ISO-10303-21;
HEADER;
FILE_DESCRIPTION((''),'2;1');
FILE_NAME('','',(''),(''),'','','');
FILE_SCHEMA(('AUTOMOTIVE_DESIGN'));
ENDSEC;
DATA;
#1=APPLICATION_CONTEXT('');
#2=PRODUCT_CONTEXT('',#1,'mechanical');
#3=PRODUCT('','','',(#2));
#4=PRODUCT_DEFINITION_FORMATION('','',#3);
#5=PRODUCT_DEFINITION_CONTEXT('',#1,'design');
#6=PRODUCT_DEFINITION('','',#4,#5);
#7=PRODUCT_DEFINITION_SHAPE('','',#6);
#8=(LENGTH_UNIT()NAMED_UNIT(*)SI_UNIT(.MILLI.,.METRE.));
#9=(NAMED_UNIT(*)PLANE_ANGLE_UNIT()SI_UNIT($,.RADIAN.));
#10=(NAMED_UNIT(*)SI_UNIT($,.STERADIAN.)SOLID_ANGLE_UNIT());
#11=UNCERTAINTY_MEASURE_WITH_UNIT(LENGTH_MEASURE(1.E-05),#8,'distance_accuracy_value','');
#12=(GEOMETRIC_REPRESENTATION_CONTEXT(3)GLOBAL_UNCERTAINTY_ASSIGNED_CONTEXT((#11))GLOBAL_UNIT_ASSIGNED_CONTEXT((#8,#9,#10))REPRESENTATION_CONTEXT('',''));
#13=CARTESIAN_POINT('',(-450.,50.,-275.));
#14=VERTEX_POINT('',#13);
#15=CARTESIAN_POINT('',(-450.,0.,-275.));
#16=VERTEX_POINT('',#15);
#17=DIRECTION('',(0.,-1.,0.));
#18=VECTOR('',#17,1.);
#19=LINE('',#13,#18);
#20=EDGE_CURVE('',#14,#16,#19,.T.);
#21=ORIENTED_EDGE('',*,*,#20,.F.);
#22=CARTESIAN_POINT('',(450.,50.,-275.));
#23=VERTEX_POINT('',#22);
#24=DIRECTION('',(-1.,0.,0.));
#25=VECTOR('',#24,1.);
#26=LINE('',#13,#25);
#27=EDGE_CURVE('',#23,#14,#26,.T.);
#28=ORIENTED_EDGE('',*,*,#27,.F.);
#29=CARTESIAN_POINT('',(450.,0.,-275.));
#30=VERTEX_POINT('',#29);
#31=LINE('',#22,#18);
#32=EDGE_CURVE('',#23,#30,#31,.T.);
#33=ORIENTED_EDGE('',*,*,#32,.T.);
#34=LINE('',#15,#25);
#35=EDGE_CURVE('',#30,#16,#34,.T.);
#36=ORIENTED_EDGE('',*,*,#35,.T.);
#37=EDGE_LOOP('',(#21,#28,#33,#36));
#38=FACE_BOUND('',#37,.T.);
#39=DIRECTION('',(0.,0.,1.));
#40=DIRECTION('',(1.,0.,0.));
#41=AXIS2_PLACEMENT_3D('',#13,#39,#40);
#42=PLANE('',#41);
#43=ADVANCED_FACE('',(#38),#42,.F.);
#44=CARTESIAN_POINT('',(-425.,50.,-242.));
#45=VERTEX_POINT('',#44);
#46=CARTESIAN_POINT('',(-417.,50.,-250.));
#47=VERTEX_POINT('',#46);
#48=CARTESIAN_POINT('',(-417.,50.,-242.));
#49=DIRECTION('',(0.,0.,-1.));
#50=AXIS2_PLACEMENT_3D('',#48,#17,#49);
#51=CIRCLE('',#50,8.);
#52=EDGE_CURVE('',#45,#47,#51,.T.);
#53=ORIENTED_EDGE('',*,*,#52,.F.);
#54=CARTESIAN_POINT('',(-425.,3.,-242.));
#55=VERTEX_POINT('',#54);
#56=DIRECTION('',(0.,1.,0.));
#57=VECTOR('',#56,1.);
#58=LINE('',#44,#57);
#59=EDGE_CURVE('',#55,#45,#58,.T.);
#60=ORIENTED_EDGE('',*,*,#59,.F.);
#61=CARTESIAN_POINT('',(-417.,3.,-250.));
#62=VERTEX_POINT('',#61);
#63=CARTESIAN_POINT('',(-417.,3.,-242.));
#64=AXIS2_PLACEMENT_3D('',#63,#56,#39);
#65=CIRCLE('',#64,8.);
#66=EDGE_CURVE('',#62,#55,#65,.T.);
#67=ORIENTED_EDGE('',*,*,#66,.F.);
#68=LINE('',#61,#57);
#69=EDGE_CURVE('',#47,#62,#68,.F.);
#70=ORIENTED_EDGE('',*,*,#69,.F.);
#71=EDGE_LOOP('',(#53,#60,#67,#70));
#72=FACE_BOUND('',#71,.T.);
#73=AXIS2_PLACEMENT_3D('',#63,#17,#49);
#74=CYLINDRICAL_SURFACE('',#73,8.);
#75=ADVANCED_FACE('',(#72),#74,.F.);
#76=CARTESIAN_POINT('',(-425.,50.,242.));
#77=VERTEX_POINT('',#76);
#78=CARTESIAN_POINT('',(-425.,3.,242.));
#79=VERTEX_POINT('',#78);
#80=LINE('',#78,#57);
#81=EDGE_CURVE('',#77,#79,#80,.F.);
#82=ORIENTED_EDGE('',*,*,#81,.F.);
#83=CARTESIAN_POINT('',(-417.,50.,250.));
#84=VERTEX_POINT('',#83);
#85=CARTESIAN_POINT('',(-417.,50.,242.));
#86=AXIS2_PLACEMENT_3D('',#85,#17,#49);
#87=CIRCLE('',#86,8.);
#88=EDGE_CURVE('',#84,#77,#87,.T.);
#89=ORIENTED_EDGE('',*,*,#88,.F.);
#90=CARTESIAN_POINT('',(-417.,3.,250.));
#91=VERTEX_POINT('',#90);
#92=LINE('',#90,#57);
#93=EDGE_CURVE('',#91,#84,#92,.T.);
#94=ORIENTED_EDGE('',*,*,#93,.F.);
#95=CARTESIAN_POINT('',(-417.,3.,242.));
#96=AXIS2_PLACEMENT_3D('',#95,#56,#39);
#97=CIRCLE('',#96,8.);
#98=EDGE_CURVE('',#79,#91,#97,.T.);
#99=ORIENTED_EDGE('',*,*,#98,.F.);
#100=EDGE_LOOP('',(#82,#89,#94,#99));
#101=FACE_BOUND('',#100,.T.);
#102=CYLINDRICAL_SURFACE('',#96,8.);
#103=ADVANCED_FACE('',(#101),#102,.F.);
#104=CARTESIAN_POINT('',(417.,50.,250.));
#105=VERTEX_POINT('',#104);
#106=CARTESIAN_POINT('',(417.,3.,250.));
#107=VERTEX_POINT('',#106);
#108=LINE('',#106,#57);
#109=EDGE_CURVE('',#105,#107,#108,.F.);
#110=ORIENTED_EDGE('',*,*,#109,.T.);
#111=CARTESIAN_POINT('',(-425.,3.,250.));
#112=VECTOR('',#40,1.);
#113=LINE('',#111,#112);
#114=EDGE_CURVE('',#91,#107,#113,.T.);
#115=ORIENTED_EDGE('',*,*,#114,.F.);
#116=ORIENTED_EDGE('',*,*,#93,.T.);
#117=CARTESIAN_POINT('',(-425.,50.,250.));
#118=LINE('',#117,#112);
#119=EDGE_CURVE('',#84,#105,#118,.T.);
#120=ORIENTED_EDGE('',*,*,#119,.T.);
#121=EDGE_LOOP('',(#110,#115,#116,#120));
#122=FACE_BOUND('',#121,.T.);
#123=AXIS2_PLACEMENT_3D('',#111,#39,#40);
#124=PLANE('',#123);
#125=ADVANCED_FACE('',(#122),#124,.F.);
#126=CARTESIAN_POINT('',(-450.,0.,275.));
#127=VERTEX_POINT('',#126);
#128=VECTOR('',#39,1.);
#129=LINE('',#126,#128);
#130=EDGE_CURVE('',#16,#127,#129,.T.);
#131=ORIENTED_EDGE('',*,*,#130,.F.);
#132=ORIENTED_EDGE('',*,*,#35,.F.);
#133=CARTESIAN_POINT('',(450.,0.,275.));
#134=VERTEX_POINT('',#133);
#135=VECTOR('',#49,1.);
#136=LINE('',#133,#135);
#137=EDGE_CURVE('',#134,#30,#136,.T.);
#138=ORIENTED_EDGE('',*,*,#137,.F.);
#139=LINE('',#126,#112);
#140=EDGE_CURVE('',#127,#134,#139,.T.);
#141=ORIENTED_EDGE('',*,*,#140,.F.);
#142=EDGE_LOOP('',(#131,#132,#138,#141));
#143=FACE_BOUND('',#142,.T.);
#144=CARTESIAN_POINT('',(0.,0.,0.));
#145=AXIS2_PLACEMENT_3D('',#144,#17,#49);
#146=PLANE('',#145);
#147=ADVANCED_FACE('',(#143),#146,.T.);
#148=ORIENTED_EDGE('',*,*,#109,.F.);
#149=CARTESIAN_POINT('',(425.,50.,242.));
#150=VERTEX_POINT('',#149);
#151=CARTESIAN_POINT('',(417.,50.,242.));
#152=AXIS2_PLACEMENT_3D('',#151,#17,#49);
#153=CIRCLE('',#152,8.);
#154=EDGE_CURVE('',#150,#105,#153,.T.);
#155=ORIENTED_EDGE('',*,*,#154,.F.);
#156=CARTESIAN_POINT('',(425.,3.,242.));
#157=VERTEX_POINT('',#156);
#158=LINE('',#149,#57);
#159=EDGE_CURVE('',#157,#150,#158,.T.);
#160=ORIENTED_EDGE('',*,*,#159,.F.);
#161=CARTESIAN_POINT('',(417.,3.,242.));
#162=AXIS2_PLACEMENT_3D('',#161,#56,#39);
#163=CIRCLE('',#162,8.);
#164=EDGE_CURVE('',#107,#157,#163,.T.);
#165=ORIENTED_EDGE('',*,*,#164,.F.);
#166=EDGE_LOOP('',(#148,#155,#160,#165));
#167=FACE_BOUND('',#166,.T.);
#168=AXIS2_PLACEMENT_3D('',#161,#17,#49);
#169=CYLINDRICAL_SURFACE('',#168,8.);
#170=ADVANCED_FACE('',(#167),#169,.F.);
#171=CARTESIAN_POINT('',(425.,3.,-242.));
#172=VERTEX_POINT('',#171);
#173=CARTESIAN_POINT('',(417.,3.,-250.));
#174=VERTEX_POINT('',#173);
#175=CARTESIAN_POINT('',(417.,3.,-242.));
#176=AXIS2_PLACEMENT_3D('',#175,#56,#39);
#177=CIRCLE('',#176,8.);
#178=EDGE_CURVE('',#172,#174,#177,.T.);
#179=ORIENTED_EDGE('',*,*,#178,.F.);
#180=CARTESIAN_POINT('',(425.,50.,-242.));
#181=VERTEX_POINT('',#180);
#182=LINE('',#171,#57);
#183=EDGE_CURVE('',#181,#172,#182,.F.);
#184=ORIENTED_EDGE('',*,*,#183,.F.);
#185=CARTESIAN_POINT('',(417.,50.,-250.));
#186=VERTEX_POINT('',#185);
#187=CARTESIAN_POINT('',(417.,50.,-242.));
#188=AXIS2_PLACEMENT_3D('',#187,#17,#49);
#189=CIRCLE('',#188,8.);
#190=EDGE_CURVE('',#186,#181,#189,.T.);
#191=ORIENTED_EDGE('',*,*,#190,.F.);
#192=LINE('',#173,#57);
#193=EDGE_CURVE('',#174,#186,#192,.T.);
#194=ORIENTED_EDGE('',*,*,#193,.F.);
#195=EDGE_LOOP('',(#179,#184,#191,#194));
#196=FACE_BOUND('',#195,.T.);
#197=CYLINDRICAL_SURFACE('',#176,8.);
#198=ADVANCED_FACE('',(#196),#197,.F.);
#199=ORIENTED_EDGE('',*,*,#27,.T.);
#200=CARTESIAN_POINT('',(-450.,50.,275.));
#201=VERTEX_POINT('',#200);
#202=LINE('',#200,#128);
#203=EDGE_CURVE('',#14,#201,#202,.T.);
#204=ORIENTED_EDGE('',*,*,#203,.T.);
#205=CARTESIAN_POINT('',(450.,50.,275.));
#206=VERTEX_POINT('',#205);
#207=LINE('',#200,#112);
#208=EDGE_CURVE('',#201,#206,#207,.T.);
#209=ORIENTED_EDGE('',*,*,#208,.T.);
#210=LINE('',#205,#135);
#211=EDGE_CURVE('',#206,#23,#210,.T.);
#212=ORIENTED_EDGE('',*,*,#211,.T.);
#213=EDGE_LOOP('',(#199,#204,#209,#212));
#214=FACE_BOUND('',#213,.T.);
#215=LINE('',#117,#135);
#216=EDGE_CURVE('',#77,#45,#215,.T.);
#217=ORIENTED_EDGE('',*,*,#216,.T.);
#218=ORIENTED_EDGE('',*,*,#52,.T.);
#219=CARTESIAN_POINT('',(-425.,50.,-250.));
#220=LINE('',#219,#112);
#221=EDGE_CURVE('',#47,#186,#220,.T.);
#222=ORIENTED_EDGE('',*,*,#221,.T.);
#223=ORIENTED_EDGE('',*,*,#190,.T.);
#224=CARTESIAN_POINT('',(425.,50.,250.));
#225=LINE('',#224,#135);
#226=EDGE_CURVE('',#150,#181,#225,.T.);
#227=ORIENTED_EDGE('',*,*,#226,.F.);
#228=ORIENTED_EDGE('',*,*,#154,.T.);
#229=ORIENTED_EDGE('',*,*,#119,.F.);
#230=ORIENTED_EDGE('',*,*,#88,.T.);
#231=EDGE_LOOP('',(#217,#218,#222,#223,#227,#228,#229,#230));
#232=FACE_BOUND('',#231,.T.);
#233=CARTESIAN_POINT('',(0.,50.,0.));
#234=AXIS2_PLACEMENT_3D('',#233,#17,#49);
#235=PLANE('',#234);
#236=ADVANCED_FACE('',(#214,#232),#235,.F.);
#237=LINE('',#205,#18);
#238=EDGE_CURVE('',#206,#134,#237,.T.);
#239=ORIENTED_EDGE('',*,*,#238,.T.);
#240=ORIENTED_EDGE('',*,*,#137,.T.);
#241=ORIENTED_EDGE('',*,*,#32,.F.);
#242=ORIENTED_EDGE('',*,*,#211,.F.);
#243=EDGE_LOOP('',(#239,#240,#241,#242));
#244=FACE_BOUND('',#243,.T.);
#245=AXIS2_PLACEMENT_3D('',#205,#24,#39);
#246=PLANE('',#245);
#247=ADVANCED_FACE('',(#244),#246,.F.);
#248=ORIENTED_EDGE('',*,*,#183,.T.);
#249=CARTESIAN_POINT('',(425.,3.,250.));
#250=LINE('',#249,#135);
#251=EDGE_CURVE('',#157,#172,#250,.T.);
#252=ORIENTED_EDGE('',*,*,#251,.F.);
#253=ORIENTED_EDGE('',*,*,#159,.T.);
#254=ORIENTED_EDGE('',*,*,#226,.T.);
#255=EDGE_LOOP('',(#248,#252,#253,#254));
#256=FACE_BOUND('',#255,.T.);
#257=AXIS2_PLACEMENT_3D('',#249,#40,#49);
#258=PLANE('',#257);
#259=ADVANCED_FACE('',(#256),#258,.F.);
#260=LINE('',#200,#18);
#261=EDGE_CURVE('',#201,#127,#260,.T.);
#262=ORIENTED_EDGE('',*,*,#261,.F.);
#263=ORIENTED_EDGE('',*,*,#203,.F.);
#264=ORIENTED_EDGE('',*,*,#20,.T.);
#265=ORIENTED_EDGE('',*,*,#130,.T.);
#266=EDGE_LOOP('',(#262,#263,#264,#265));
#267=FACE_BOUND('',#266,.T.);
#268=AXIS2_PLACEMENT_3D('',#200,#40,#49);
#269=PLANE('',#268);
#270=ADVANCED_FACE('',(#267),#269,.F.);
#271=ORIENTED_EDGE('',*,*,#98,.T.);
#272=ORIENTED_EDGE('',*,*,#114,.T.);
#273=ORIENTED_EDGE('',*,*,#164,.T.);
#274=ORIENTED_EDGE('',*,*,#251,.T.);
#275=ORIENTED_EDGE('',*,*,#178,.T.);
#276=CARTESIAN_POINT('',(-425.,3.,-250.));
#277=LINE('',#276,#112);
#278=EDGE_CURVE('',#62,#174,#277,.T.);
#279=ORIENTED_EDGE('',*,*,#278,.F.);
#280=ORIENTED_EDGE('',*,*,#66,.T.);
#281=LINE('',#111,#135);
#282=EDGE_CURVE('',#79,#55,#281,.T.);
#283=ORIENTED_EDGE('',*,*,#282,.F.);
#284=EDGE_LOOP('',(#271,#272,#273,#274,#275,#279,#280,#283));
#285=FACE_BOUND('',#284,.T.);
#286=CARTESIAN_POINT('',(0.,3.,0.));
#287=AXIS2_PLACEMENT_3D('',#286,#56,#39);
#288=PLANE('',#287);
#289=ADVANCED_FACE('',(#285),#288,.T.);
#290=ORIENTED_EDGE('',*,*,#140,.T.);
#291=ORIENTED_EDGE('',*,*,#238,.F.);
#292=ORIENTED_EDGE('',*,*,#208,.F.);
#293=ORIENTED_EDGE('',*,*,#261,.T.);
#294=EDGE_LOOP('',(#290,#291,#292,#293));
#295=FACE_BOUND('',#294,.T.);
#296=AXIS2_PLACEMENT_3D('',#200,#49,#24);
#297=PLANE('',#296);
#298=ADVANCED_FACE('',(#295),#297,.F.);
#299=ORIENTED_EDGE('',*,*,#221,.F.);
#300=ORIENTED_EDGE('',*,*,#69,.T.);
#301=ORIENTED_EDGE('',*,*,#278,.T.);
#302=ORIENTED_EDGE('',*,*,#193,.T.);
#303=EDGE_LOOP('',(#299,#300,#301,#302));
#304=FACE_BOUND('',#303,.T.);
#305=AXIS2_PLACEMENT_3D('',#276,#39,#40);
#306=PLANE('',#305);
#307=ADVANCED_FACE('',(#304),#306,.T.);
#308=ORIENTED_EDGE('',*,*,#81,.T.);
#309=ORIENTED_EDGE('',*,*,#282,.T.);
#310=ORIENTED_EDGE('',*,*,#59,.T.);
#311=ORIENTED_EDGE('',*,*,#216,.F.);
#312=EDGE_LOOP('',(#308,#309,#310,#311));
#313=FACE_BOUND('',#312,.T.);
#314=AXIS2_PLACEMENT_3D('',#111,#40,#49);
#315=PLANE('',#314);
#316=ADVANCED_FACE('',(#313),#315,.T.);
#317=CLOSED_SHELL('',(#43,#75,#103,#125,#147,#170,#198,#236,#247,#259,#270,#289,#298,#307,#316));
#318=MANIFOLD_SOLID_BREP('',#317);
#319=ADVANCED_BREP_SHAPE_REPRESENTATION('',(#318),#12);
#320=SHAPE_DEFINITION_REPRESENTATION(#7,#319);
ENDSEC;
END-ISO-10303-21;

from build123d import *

# Parameters (mm, degrees)
SKETCH1_W           = 900
SKETCH1_H           = 550
BOSS_EXTRUDE1_DEPTH = 50
SKETCH2_W           = 850
SKETCH2_H           = 500
CUT_EXTRUDE1_DEPTH  = 47
FILLET1_R           = 8


with BuildPart() as part:
    # Sketch1 → Boss-Extrude1 (new body)
    with BuildSketch(Plane(origin=(0, 0, 0), x_dir=(1, 0, 0), z_dir=(0, 1, 0))):
        Rectangle(SKETCH1_W, SKETCH1_H)
    extrude(amount=BOSS_EXTRUDE1_DEPTH)

    # Sketch2 → Cut-Extrude1 (cut)
    with BuildSketch(Plane(origin=(0, 50, 0), x_dir=(1, 0, 0), z_dir=(0, 1, 0))):
        Rectangle(SKETCH2_W, SKETCH2_H)
    extrude(amount=-CUT_EXTRUDE1_DEPTH, mode=Mode.SUBTRACT)

    # Fillet1
    fillet1_edges = [part.edges().sort_by_distance(p)[0] for p in [
        (425, 26.5, 250),
        (-425, 26.5, 250),
        (-425, 26.5, -250),
        (425, 26.5, -250),
    ]]
    fillet(fillet1_edges, radius=FILLET1_R)


solid = part.part
